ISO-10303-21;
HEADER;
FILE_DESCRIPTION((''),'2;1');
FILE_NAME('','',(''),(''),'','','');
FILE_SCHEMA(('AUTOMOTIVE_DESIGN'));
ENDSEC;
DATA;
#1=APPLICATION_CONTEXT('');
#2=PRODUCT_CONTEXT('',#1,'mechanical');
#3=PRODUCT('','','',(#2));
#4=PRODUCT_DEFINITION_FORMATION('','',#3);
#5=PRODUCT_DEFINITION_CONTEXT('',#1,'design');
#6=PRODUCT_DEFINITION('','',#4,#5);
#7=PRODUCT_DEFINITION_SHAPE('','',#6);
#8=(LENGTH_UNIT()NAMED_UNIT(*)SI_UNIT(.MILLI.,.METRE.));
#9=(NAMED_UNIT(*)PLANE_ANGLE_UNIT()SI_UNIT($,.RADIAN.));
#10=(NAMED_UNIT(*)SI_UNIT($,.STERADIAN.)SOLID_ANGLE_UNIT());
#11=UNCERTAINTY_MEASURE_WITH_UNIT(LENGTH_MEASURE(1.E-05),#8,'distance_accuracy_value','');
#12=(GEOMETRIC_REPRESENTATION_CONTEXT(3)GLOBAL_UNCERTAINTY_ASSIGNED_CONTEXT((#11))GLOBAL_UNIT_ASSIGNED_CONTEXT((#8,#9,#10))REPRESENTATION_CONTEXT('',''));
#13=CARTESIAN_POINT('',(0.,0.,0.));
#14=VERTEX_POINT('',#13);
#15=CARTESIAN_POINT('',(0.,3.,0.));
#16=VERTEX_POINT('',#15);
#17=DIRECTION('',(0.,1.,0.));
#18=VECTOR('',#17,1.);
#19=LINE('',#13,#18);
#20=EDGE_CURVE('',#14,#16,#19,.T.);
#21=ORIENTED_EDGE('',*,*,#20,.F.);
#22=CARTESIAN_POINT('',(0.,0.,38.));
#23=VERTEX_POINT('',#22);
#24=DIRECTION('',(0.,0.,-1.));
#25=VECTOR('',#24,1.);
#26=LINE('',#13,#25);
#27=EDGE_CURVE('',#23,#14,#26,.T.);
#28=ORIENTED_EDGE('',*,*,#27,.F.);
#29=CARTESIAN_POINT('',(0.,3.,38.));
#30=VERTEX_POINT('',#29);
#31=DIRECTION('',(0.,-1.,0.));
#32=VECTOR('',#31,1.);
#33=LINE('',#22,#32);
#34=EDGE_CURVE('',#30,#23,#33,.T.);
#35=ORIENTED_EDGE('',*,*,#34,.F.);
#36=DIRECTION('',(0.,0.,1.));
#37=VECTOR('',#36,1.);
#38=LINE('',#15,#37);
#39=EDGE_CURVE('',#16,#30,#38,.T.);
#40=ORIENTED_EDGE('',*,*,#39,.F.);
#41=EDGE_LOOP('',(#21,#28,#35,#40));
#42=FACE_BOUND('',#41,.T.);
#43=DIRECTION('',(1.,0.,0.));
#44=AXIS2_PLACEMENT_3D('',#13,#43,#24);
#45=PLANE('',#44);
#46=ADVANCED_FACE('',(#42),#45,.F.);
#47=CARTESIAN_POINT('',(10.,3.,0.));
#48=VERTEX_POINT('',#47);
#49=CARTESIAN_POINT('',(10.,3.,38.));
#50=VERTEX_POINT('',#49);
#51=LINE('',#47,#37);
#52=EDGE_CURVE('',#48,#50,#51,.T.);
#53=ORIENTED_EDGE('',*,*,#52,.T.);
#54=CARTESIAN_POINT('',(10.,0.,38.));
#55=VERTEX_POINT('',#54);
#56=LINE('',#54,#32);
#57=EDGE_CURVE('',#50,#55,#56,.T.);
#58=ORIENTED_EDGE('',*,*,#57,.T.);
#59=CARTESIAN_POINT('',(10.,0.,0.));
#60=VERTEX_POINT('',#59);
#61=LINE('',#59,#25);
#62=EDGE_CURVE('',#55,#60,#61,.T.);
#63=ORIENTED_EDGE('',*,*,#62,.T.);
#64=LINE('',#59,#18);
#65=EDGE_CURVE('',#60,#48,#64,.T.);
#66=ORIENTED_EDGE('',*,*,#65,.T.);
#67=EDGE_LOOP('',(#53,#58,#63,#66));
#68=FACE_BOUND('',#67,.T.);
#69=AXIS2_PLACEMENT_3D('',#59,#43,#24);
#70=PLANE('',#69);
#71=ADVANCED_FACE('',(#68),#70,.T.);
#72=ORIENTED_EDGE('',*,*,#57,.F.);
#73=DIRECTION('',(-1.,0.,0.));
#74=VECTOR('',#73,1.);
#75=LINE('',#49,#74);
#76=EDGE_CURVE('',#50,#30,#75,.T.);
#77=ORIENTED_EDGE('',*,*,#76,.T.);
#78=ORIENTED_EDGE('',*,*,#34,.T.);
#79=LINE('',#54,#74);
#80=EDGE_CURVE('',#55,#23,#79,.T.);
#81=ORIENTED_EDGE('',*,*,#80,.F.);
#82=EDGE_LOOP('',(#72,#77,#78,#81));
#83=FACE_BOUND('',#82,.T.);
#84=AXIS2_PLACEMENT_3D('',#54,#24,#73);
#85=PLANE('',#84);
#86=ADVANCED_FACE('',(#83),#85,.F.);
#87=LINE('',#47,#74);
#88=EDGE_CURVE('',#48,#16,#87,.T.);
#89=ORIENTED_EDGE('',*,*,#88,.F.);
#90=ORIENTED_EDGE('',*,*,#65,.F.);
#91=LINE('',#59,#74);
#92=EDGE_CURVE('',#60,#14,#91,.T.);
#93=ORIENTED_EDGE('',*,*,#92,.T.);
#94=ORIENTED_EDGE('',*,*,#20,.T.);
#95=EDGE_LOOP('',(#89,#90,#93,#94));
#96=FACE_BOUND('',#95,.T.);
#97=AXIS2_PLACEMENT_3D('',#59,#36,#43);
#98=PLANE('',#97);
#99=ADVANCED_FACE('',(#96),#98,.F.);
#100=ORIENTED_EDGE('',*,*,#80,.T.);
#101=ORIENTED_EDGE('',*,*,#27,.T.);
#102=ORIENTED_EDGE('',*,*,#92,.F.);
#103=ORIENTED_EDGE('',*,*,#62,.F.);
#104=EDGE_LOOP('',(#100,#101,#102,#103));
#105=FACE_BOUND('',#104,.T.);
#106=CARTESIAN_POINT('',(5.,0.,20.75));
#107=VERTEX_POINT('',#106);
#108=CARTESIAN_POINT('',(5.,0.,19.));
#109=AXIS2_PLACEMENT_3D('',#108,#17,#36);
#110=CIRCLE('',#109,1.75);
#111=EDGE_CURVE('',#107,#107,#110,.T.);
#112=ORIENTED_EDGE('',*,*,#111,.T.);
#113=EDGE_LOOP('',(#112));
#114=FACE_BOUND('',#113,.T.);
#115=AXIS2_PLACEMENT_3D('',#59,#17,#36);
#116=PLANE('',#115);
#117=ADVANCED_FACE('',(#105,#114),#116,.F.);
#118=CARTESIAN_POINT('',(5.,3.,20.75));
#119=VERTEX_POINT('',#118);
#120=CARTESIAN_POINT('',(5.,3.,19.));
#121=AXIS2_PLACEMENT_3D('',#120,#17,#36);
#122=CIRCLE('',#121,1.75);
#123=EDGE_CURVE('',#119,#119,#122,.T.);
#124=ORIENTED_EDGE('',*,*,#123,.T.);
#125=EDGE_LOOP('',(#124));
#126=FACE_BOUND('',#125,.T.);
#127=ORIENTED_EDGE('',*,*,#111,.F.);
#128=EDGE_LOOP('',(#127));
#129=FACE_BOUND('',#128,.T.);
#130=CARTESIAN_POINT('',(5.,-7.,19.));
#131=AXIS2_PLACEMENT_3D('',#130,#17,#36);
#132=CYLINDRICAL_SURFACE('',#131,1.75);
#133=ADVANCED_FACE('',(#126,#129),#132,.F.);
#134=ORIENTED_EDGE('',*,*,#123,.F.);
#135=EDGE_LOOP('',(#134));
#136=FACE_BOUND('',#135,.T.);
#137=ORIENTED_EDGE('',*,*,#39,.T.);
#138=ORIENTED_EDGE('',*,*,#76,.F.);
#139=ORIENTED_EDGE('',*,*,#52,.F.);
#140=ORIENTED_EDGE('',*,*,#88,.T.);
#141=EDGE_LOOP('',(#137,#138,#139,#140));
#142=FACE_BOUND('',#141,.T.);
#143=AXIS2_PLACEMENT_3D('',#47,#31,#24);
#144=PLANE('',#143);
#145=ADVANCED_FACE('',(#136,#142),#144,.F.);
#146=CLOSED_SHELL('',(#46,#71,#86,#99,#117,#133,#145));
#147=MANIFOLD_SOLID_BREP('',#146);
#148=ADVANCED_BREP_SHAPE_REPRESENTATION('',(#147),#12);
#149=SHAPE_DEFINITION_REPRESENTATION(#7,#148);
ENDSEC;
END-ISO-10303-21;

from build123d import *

# Parameters (mm, degrees)
SKETCH1_W           = 38
SKETCH1_H           = 3
BOSS_EXTRUDE2_DEPTH = 10
SKETCH2_R           = 1.75
CUT_EXTRUDE1_DEPTH  = 10


with BuildPart() as part:
    # Sketch1 → Boss-Extrude2 (new body)
    with BuildSketch(Plane(origin=(0, 0, 0), x_dir=(0, 0, -1), z_dir=(1, 0, 0))):
        with Locations((-19, 1.5)):
            Rectangle(SKETCH1_W, SKETCH1_H)
    extrude(amount=BOSS_EXTRUDE2_DEPTH)

    # Sketch2 → Cut-Extrude1 (cut)
    with BuildSketch(Plane(origin=(0, 3, 0), x_dir=(1, 0, 0), z_dir=(0, 1, 0))):
        with Locations(Location((5, -19, 0), (0, 0, 270))):
            Circle(SKETCH2_R)
    extrude(amount=-CUT_EXTRUDE1_DEPTH, mode=Mode.SUBTRACT)


solid = part.part
